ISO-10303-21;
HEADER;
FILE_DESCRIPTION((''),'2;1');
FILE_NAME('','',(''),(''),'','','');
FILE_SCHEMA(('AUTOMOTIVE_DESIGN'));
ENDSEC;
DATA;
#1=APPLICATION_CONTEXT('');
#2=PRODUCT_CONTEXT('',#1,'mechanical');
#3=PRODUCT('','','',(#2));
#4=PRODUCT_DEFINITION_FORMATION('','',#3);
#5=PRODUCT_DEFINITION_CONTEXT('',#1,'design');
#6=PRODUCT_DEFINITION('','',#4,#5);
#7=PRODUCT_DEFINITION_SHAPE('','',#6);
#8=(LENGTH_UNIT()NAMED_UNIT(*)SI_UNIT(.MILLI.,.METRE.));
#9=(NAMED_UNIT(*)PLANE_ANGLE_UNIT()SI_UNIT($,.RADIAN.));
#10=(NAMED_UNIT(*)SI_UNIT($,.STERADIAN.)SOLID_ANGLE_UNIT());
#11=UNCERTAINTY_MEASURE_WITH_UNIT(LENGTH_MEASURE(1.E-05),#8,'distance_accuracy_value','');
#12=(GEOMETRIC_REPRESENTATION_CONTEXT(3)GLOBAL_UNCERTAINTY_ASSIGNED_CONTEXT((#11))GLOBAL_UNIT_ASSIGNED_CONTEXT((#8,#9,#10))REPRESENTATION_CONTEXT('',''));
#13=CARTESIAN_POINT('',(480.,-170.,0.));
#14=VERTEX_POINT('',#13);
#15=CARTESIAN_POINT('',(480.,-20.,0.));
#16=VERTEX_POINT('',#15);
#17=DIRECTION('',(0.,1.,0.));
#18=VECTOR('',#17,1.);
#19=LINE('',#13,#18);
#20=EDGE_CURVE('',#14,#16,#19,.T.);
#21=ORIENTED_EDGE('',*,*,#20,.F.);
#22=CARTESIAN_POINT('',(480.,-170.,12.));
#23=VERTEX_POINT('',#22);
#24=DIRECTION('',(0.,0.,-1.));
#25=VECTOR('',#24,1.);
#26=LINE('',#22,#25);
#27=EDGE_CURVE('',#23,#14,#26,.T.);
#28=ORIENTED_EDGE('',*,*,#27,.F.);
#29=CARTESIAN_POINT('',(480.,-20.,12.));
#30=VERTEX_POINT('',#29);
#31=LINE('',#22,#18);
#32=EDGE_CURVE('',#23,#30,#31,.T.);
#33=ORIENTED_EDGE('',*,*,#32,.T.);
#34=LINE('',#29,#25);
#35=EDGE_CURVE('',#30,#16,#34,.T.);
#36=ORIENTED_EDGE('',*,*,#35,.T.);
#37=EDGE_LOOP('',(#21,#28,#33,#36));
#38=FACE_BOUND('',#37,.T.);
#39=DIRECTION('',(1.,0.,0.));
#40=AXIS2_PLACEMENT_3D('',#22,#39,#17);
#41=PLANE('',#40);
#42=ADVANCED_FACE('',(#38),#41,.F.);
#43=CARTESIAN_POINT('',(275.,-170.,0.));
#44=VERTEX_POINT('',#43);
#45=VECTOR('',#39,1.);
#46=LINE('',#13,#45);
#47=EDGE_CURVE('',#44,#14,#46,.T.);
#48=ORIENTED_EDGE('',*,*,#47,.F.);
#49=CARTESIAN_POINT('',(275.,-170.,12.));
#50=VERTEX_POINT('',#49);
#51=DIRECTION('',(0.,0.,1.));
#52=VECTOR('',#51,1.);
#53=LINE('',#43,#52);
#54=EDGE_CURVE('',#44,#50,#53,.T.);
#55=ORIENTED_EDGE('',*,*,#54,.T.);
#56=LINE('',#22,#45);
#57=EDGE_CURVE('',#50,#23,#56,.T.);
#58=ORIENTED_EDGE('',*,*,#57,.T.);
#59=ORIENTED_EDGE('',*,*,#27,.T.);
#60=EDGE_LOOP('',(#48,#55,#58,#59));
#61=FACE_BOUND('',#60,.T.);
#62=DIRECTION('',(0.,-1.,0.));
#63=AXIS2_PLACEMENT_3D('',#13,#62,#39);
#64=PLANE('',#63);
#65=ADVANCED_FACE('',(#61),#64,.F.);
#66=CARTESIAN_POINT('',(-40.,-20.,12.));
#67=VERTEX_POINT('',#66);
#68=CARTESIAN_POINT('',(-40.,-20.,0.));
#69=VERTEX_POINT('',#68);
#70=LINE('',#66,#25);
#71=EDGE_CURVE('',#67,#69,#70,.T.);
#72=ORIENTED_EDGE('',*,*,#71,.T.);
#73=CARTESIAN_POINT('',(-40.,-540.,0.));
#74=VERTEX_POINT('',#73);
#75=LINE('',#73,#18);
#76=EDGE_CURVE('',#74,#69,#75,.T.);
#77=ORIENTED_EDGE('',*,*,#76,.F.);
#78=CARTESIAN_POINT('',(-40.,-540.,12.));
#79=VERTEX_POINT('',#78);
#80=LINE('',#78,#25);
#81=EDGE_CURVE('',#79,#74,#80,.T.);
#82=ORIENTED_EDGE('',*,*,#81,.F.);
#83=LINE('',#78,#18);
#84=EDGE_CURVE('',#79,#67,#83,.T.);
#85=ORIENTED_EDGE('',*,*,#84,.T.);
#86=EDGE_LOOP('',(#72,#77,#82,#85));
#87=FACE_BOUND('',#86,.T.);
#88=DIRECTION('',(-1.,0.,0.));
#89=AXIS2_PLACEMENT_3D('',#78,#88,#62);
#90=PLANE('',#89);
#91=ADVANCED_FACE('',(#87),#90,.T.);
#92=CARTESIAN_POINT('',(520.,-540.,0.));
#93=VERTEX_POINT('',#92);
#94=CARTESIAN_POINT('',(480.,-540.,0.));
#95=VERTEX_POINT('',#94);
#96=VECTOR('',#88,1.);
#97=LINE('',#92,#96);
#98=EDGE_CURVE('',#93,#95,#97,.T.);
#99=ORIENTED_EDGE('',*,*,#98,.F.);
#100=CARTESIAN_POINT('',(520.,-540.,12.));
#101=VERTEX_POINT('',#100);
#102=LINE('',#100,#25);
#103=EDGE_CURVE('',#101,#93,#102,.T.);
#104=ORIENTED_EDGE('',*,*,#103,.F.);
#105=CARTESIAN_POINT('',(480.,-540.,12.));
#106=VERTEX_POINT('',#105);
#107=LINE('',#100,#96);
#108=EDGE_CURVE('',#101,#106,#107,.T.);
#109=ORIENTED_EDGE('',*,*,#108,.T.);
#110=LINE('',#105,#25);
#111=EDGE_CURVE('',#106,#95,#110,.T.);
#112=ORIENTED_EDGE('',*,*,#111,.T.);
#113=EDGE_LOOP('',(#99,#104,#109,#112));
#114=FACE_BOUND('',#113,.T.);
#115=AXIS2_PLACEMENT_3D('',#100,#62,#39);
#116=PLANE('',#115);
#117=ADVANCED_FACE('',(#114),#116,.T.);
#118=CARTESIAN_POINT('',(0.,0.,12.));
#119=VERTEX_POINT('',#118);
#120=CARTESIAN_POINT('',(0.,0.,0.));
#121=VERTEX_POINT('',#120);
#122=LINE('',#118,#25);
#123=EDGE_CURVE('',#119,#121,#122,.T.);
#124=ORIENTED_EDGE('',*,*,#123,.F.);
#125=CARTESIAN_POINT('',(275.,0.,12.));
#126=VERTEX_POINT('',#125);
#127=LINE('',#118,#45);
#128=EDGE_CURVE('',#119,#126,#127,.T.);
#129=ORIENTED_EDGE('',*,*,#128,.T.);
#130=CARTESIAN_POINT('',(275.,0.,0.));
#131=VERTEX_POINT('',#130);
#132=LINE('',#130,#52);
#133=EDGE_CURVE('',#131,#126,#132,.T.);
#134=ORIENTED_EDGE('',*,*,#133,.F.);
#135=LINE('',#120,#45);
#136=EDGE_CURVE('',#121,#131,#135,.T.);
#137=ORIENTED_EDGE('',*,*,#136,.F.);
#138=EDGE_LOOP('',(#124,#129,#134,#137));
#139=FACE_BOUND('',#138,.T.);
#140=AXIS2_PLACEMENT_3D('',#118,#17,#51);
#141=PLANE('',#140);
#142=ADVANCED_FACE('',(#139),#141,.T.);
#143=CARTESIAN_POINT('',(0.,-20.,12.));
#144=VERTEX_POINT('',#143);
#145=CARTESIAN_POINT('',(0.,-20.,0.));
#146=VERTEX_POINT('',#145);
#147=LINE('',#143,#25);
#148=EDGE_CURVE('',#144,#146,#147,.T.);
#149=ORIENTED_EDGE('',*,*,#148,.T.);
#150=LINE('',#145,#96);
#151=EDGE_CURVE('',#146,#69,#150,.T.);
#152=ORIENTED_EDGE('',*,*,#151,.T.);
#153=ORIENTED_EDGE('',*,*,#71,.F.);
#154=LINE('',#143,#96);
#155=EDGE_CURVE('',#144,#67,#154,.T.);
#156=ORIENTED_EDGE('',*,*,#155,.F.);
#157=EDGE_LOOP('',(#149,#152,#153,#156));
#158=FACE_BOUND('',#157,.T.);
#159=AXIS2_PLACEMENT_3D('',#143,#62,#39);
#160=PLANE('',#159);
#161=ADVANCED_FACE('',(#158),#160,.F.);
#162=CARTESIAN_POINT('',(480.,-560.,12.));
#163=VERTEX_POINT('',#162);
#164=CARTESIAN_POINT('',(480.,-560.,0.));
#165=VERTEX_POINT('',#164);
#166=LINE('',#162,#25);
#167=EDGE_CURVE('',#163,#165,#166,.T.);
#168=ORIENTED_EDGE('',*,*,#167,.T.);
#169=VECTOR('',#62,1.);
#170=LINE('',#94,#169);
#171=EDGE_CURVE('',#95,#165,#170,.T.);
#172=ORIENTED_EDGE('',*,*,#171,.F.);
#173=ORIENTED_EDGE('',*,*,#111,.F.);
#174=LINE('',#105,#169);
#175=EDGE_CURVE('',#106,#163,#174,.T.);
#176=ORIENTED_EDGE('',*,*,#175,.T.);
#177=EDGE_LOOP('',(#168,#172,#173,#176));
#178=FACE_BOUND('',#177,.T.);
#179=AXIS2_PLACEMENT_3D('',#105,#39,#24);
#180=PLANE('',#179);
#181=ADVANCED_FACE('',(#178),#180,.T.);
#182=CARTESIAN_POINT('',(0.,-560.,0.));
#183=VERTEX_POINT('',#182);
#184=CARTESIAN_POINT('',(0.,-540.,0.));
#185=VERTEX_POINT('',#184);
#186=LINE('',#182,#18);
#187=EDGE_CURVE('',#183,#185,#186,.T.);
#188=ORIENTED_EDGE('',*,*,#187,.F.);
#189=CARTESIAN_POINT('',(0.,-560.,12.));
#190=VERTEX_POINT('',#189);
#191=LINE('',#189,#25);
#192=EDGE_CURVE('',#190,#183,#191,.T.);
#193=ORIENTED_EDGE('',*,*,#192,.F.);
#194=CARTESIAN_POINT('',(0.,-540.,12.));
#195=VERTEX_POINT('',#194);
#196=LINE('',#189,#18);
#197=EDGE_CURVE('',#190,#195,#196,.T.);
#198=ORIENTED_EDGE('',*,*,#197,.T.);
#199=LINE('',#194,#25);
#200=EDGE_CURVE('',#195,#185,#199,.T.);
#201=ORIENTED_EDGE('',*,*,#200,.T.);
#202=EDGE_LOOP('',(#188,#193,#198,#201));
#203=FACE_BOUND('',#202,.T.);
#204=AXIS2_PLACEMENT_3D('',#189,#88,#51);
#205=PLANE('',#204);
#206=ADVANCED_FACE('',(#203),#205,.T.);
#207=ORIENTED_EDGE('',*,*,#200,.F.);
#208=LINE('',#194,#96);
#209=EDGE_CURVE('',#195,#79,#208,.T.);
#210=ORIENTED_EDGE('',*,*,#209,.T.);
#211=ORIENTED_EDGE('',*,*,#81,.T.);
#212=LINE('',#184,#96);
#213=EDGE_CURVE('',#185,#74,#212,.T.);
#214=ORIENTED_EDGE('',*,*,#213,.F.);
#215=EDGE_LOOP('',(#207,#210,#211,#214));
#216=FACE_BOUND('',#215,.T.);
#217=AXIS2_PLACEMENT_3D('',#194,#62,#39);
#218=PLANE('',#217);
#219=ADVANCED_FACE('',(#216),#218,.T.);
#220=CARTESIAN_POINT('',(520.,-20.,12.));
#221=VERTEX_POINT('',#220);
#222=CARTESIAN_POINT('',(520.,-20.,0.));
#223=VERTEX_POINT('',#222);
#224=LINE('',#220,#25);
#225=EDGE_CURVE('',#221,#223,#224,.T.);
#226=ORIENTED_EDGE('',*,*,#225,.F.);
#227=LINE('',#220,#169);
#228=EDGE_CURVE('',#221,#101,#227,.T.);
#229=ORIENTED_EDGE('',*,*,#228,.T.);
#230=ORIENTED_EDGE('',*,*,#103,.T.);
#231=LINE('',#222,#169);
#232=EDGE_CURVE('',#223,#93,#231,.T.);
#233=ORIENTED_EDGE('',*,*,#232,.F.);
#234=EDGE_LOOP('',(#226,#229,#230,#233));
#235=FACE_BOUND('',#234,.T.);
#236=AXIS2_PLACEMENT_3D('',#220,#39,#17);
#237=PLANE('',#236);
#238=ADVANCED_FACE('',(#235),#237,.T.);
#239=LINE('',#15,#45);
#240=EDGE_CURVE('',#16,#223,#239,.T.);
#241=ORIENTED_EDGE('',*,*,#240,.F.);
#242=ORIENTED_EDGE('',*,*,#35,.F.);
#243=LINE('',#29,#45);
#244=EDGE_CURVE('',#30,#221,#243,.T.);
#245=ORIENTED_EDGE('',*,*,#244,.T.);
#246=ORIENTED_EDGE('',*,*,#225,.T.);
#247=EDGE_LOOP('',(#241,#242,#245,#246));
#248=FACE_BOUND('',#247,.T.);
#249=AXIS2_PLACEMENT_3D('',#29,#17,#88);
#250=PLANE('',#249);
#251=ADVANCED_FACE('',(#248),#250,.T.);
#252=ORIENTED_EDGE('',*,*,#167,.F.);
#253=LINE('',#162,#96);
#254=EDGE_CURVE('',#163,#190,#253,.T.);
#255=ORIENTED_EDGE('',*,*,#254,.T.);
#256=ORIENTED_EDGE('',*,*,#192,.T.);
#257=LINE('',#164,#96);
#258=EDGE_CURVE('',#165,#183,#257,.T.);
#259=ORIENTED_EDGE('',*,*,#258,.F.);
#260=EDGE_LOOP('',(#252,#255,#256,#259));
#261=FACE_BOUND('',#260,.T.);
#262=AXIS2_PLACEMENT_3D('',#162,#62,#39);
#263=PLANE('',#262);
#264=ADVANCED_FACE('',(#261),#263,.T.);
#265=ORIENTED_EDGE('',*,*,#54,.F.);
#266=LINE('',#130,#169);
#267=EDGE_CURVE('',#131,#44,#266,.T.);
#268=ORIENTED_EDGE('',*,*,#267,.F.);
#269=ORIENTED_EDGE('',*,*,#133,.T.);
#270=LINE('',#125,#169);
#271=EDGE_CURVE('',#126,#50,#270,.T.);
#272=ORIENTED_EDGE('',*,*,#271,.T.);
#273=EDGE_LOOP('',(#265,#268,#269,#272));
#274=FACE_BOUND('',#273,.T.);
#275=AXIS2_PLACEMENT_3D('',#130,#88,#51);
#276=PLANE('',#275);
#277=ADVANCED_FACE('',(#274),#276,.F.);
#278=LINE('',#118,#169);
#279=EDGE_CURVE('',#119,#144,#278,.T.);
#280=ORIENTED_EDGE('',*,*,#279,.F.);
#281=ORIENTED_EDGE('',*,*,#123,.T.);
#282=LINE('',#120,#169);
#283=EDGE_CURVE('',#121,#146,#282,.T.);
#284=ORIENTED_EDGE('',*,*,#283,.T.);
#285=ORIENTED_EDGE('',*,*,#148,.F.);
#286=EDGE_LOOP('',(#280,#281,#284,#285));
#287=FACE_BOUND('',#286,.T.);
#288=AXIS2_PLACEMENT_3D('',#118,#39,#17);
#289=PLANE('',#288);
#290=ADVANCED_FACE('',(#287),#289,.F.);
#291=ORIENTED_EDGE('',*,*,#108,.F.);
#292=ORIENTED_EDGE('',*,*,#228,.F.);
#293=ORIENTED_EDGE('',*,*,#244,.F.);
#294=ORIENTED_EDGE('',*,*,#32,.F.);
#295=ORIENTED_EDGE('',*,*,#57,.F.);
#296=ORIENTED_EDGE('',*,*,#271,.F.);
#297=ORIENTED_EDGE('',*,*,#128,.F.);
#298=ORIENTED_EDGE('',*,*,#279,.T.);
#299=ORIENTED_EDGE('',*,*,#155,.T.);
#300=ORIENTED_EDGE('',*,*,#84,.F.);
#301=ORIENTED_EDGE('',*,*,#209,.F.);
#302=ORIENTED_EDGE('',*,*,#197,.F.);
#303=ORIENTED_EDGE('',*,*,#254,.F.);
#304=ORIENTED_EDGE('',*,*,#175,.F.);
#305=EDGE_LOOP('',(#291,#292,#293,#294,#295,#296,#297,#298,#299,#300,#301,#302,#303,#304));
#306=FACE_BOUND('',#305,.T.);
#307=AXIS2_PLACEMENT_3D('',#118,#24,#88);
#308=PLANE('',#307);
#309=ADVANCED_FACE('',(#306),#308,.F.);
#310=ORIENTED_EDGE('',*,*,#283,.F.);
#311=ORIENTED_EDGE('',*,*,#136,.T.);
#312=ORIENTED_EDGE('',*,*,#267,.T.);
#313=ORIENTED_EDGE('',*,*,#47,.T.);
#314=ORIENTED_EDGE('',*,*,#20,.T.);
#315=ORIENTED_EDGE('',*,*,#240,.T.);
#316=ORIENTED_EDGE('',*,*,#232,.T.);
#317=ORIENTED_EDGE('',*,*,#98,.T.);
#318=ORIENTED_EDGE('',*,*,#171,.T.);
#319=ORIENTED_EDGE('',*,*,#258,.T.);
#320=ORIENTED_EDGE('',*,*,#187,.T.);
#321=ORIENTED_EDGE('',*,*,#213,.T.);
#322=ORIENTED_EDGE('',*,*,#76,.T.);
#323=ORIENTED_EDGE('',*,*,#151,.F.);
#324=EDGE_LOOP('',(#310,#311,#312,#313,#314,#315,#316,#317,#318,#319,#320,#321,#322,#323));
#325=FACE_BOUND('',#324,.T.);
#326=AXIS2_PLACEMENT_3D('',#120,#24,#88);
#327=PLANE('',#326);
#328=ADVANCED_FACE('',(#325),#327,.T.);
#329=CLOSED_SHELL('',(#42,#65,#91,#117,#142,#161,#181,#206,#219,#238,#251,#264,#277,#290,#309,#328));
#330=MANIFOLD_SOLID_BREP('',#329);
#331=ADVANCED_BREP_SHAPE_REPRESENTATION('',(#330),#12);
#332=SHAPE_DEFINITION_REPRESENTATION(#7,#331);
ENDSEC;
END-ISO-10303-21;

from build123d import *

# Parameters (mm, degrees)
EXTRUDE_1_DEPTH     = 12
SKETCH_3_W          = 205
SKETCH_3_H          = 170
CUT_EXTRUDE_2_DEPTH = 12
SKETCH_4_W          = 12
SKETCH_4_H          = 150
EXTRUDE_2_DEPTH     = 2
SKETCH_5_W          = 2
SKETCH_5_H          = 12
CUT_EXTRUDE_3_DEPTH = 150


with BuildPart() as part:
    # ｽｹｯﾁ1 → ﾎﾞｽ - 押し出し1 (new body)
    with BuildSketch(Plane.XY):
        Polygon((0, 0), (480, 0), (480, -20), (520, -20), (520, -540), (480, -540), (480, -560), (0, -560), (0, -540), (-40, -540), (-40, -20), (0, -20), align=None)
    extrude(amount=EXTRUDE_1_DEPTH)

    # ｽｹｯﾁ3 → ｶｯﾄ - 押し出し2 (cut)
    with BuildSketch(Plane.XY.offset(12)):
        with Locations((377.5, -85)):
            Rectangle(SKETCH_3_W, SKETCH_3_H)
    extrude(amount=-CUT_EXTRUDE_2_DEPTH, mode=Mode.SUBTRACT)

    # ｽｹｯﾁ4 → ﾎﾞｽ - 押し出し2 (add)
    with BuildSketch(Plane.ZY.offset(-480)):
        with Locations((6, -95)):
            Rectangle(SKETCH_4_W, SKETCH_4_H)
    extrude(amount=EXTRUDE_2_DEPTH)

    # ｽｹｯﾁ5 → ｶｯﾄ - 押し出し3 (cut)
    with BuildSketch(Plane(origin=(0, -20, 0), x_dir=(1, 0, 0), z_dir=(0, 1, 0))):
        with Locations((479, -6)):
            Rectangle(SKETCH_5_W, SKETCH_5_H)
    extrude(amount=-CUT_EXTRUDE_3_DEPTH, mode=Mode.SUBTRACT)


solid = part.part
